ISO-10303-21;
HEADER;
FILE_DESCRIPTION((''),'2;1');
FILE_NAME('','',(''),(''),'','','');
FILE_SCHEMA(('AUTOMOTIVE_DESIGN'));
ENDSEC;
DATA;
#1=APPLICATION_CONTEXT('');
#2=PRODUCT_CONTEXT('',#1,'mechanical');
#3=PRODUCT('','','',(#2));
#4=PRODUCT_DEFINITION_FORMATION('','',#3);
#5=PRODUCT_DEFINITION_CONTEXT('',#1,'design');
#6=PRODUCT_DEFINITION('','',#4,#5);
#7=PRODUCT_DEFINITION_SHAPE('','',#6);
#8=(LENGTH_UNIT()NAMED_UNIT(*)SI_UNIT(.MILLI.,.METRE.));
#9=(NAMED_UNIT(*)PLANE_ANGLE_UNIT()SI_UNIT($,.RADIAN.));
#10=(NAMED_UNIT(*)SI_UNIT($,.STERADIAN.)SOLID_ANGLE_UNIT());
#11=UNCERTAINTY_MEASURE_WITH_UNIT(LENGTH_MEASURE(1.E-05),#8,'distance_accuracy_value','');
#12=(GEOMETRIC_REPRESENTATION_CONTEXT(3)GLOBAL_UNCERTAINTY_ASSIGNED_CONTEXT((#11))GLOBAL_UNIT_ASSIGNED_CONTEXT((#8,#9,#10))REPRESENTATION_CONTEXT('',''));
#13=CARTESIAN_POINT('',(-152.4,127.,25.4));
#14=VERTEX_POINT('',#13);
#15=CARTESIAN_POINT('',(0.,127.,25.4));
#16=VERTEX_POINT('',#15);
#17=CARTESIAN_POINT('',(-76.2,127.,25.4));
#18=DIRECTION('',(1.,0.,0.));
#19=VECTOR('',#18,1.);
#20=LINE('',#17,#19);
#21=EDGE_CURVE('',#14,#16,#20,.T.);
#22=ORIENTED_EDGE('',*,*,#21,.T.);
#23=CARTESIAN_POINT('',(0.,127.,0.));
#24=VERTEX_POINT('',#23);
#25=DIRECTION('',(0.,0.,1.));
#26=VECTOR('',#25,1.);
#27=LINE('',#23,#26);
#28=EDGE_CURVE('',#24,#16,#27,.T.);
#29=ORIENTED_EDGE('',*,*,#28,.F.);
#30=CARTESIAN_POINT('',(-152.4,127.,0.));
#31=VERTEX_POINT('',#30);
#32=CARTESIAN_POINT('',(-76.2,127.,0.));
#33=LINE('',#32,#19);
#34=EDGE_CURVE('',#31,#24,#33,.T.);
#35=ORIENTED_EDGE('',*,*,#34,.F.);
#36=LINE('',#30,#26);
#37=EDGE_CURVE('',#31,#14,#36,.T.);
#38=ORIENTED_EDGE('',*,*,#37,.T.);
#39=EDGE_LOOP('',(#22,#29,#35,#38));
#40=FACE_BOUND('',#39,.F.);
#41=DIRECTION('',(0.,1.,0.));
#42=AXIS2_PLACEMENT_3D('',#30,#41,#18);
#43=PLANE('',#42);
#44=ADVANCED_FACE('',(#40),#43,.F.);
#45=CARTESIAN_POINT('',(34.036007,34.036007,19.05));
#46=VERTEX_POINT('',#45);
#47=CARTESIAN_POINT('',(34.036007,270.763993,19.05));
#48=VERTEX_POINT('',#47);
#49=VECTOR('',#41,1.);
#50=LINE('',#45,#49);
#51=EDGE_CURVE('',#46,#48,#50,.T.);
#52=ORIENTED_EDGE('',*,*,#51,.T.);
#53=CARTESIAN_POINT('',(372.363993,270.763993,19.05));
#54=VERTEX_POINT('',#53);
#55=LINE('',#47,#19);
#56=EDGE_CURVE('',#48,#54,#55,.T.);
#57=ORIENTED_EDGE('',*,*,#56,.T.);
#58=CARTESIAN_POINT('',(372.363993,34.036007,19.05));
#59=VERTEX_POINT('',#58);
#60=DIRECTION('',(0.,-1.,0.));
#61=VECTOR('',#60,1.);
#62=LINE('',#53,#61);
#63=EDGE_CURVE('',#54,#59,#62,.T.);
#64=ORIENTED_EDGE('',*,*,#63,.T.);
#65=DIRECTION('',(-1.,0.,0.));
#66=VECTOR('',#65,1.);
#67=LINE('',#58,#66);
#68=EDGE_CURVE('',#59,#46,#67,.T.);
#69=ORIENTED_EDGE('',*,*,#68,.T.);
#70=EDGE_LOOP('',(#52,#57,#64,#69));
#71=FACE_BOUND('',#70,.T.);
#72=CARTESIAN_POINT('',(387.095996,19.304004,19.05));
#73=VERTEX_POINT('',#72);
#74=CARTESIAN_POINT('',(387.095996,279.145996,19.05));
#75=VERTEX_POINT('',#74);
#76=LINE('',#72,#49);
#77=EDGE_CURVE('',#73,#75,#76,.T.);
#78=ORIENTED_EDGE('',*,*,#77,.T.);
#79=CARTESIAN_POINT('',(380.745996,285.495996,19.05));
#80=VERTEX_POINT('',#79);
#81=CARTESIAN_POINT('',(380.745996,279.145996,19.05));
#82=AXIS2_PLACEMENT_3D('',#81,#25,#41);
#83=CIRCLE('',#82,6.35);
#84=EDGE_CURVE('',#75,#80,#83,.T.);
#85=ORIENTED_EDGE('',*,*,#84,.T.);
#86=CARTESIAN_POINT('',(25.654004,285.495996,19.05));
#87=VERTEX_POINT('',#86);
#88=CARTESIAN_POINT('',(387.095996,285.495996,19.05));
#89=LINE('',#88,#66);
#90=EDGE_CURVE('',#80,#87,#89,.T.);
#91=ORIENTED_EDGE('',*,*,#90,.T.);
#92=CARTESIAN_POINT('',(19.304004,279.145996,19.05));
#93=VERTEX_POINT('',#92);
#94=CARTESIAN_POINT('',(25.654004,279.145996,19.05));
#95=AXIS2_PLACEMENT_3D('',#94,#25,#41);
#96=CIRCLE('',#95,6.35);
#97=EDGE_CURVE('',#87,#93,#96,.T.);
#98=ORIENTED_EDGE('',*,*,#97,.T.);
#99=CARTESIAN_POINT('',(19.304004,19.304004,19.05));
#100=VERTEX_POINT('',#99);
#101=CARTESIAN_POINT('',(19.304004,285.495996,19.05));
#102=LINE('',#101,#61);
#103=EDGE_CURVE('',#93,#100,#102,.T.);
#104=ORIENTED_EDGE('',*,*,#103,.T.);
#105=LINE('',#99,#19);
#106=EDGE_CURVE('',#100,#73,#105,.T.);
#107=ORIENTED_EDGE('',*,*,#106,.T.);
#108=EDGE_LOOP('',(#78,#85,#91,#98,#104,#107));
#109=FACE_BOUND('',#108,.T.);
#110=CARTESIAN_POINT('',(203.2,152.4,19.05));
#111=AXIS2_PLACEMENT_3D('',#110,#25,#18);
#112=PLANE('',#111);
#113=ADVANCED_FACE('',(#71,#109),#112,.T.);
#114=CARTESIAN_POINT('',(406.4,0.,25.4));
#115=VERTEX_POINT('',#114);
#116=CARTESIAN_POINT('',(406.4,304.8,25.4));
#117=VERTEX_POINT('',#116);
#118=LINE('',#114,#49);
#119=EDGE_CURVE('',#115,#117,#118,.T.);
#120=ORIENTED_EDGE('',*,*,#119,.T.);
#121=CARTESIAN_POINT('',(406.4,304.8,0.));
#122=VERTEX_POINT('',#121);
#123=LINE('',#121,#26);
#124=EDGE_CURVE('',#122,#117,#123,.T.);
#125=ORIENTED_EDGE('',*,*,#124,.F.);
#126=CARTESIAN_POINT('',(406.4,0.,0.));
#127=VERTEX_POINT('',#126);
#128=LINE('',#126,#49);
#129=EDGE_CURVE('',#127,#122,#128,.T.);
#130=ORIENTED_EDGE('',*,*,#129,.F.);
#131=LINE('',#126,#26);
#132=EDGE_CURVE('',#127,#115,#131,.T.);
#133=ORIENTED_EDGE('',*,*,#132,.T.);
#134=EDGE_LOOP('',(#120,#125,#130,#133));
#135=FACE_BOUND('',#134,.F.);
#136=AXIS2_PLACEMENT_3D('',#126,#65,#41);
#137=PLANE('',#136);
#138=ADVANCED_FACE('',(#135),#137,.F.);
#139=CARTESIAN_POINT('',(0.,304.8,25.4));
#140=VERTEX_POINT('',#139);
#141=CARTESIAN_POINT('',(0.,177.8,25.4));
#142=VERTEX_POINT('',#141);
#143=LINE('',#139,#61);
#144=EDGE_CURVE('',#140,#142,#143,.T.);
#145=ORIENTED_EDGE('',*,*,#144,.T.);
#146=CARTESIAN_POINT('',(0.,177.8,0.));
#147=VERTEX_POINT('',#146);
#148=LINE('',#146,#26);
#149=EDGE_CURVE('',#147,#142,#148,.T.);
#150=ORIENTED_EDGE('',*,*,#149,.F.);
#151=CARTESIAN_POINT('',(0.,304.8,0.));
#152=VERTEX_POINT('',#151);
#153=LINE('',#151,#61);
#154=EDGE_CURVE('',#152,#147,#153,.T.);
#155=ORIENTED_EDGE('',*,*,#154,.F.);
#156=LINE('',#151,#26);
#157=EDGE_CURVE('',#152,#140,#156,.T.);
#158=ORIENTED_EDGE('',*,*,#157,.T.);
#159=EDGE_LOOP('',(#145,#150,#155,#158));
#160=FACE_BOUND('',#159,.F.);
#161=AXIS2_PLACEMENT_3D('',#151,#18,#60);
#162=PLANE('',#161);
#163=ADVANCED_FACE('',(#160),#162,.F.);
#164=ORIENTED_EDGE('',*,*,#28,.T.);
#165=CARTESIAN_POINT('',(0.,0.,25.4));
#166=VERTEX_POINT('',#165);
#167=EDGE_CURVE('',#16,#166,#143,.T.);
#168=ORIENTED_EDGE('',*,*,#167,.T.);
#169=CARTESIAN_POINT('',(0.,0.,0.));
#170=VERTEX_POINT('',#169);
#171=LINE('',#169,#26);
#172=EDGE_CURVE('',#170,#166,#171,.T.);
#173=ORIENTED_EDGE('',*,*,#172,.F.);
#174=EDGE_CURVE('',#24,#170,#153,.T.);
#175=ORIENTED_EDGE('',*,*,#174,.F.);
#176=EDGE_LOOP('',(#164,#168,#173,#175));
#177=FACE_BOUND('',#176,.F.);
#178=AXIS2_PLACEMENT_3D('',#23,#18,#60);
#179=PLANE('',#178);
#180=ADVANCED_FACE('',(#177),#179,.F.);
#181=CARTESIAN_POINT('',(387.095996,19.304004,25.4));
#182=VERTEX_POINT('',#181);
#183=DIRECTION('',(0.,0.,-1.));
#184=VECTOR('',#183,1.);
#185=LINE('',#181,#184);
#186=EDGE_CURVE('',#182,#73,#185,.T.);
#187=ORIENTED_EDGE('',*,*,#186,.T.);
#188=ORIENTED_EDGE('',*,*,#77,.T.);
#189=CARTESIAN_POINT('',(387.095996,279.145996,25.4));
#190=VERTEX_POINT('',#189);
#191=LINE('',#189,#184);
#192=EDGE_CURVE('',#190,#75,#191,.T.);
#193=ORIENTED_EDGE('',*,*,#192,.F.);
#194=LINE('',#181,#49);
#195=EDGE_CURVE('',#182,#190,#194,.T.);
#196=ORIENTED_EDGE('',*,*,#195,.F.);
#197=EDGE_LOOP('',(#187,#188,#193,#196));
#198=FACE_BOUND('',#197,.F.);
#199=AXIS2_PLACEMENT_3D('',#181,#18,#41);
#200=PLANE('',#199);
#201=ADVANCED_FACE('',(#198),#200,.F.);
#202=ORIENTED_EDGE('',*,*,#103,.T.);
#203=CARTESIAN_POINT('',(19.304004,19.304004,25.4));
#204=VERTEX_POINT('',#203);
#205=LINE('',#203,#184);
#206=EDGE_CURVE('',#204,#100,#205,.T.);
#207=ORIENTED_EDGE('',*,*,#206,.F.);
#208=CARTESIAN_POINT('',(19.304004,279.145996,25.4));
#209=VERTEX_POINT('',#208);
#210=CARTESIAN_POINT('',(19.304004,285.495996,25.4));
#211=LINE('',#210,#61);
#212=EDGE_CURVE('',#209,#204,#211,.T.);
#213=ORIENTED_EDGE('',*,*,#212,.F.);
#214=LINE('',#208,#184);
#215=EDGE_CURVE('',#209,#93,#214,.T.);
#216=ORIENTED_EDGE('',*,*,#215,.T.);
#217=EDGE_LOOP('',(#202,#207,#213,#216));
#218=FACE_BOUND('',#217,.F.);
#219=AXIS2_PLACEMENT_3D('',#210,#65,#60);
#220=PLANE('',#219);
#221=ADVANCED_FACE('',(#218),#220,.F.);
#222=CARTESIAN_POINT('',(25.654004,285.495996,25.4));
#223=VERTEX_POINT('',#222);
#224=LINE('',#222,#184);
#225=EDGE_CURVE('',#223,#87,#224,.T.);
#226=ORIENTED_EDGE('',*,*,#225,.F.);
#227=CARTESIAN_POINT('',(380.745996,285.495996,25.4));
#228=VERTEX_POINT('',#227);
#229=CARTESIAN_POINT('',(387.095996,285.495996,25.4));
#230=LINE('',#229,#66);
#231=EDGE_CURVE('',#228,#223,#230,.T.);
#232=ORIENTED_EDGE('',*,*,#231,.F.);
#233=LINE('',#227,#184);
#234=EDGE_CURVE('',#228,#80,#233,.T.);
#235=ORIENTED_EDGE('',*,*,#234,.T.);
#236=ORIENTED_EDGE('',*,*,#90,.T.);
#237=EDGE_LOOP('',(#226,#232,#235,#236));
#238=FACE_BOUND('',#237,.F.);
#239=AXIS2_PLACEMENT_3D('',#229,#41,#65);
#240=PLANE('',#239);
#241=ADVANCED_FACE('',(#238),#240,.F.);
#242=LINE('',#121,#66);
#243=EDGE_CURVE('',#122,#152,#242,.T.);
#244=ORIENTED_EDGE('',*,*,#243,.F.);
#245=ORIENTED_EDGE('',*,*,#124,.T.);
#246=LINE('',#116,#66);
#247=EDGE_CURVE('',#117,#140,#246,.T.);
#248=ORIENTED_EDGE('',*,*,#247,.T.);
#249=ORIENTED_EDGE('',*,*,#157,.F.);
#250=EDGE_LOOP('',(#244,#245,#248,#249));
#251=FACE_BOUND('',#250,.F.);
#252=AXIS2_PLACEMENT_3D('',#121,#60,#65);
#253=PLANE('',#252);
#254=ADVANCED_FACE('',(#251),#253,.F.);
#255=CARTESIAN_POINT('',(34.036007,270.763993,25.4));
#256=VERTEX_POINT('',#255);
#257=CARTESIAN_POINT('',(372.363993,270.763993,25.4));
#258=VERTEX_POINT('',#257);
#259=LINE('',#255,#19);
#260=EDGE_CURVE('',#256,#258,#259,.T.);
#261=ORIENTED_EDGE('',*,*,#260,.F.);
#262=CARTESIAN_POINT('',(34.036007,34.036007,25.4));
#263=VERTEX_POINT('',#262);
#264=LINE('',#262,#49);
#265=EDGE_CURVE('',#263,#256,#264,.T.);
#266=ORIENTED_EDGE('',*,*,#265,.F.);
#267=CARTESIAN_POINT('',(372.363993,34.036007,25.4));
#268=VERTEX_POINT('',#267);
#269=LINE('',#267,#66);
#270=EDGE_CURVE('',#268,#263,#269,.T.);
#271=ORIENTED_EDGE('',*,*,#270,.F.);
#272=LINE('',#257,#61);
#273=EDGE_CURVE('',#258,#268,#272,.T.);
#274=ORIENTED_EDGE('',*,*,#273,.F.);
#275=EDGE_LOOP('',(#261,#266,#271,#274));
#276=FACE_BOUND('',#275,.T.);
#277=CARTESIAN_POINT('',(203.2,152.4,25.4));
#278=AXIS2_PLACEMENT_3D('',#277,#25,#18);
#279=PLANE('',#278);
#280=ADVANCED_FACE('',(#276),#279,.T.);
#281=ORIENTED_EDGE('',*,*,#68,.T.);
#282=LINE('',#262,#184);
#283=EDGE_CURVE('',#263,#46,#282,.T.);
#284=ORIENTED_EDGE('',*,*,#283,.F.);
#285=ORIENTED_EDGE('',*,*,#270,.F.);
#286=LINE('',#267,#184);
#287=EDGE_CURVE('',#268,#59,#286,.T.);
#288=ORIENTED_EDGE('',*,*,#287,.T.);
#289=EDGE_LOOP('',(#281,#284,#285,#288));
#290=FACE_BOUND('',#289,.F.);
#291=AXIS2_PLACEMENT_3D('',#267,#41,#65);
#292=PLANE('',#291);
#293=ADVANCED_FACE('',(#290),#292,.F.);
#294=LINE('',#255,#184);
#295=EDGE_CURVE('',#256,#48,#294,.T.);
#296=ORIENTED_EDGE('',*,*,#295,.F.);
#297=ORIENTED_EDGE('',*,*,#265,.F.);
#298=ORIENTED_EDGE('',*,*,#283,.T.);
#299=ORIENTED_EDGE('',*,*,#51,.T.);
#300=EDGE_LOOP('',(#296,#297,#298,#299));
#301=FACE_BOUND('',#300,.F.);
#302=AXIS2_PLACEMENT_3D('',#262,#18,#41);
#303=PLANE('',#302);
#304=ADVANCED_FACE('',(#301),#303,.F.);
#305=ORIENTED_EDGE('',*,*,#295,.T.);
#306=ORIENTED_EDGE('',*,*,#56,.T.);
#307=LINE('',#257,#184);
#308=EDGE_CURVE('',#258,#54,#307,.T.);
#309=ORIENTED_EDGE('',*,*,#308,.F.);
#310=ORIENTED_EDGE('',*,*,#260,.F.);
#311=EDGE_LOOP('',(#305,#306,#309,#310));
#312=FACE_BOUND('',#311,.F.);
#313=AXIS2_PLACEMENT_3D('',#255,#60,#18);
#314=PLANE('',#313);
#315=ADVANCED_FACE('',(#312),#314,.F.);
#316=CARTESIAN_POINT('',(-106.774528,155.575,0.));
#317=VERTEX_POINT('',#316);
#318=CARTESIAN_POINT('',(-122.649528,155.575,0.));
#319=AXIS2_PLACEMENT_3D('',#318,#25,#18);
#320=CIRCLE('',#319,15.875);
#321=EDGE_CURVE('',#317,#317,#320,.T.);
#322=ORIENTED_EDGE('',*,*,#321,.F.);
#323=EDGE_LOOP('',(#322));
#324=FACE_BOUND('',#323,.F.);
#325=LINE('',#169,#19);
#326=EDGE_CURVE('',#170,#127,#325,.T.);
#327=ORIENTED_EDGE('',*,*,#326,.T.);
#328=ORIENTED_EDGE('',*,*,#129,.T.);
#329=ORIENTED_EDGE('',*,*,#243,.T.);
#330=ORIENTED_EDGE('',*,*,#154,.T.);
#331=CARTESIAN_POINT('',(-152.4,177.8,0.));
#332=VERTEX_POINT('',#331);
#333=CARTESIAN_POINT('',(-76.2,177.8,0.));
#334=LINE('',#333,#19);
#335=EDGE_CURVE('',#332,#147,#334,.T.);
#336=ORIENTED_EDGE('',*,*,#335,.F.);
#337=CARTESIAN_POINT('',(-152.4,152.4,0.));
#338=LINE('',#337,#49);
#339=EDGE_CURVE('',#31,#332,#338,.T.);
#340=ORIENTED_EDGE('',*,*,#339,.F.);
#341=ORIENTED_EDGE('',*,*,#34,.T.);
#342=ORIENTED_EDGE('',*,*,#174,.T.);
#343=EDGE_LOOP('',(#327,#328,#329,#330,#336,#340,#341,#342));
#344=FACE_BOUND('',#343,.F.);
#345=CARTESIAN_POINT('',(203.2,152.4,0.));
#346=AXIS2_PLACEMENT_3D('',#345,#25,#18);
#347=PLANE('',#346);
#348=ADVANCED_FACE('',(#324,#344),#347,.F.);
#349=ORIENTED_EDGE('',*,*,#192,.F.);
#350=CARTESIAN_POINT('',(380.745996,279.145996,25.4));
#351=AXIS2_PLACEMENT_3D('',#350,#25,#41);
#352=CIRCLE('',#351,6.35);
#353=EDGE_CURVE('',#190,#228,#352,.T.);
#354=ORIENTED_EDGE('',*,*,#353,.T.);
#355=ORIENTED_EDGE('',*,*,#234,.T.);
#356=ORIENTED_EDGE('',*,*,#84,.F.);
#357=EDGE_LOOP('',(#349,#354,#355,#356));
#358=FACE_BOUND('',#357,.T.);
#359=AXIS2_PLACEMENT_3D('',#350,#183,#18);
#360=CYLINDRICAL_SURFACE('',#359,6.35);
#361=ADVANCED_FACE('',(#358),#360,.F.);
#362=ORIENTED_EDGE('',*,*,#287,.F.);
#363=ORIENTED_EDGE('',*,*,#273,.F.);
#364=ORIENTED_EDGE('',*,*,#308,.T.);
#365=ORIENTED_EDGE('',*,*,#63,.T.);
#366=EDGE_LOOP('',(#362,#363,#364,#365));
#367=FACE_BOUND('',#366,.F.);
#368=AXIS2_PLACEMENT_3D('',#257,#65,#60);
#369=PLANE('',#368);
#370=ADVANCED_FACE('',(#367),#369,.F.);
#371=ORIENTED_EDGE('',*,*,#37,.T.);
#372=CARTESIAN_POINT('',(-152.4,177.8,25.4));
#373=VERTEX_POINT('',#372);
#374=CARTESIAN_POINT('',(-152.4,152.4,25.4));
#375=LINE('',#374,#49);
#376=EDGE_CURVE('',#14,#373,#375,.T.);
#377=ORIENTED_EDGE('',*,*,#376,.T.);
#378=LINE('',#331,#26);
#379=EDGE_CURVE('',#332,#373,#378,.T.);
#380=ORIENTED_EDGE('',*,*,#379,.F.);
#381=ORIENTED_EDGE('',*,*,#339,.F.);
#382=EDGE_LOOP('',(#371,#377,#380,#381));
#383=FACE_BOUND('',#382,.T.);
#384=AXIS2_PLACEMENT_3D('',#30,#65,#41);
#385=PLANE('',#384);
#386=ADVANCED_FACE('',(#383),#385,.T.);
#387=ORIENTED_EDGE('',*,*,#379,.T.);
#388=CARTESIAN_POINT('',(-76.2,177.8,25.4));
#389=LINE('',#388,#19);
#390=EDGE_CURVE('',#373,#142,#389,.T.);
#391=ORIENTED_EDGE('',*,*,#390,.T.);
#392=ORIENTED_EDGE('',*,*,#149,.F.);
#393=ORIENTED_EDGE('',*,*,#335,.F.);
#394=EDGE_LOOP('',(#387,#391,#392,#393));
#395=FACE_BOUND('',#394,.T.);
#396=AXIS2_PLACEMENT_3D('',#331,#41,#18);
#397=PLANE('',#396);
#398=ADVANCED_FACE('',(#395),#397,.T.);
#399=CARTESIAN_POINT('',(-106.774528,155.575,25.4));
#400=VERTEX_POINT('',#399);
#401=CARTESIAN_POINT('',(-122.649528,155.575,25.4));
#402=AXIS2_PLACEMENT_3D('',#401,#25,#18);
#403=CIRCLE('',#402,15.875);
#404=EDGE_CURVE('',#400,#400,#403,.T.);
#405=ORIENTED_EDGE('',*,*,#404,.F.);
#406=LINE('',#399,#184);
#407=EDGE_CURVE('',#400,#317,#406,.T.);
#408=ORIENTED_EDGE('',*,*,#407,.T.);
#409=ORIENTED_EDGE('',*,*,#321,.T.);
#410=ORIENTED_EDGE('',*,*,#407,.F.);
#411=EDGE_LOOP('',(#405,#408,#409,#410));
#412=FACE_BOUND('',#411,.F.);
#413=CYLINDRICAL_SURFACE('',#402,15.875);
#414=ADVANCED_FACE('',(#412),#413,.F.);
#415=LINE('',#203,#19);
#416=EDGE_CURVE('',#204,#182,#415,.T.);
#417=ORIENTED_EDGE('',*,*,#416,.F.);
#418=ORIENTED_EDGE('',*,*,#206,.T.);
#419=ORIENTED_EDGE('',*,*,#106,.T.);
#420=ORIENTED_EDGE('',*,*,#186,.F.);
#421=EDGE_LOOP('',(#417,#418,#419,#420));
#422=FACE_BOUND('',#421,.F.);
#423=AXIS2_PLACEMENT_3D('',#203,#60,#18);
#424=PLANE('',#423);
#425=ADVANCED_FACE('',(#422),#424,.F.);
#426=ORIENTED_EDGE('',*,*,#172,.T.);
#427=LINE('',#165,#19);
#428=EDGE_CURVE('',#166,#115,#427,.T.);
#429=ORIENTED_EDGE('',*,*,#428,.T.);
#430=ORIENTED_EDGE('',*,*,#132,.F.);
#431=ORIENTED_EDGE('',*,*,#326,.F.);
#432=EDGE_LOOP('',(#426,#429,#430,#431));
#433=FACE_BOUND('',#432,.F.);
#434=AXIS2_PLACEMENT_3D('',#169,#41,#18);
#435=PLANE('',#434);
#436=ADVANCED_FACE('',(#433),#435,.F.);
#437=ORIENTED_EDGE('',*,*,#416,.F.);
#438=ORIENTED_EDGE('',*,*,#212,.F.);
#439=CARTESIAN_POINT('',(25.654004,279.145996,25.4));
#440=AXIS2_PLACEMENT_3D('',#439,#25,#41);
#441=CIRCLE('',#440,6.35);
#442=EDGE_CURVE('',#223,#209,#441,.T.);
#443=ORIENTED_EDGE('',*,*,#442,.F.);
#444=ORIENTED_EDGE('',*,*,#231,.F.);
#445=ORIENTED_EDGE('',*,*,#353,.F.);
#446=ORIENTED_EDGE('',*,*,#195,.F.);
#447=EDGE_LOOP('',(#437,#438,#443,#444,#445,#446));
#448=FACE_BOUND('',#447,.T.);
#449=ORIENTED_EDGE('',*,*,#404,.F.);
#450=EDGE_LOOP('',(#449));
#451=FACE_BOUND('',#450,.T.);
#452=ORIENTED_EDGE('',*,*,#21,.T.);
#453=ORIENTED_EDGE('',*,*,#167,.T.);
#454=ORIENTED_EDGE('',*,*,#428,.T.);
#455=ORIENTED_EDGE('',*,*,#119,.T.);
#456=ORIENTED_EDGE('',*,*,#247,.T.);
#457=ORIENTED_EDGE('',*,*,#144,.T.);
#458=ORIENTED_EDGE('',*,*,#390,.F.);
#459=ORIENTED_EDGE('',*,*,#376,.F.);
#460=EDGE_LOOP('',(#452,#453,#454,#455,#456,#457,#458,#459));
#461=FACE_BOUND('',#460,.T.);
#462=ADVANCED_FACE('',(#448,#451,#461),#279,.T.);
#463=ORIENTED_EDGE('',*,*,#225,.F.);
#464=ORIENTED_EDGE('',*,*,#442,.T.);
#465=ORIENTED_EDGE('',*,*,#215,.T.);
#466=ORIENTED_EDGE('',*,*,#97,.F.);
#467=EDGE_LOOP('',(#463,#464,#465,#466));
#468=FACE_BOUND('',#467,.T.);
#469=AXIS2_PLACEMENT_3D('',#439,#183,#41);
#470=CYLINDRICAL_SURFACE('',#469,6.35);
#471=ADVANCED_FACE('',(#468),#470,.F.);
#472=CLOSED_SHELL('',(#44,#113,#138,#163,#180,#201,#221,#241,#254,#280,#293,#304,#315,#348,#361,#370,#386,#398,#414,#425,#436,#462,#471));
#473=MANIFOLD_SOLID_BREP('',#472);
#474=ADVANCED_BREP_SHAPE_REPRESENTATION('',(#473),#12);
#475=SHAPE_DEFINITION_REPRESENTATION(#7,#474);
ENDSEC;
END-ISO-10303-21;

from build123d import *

# Parameters (mm, degrees)
F0_W     = 152.4
F0_H     = 50.8
F1_DEPTH = 25.4
F2_R     = 15.875
F3_DEPTH = 25.4
F5_DEPTH = 6.35
F6_R     = 6.35


with BuildPart() as f1:
    # F0 (on Top) → F1 (new body)
    with BuildSketch(Plane.XY):
        Polygon((0, 127), (0, 0), (406.4, 0), (406.4, 304.8), (0, 304.8), (0, 177.8), align=None)
        with Locations((-76.2, 152.4)):
            Rectangle(F0_W, F0_H)
    extrude(amount=F1_DEPTH)

    # F2 (on face) → F3 (cut)
    with BuildSketch(Plane.XY.offset(25.4)):
        with Locations((-122.649528, 155.575)):
            Circle(F2_R)
    extrude(amount=-F3_DEPTH, mode=Mode.SUBTRACT)

    # F4 (on face) → F5 (cut)
    with BuildSketch(Plane.XY.offset(25.4)):
        Polygon((19.304004, 127), (19.304004, 19.304004), (387.095996, 19.304004), (387.095996, 285.495996), (19.304004, 285.495996), (19.304004, 177.8), align=None)
        Polygon((34.036007, 127), (34.036007, 177.8), (34.036007, 270.763993), (372.363993, 270.763993), (372.363993, 34.036007), (34.036007, 34.036007), align=None, mode=Mode.SUBTRACT)
    extrude(amount=-F5_DEPTH, mode=Mode.SUBTRACT)

    # F6
    f6_edges = [f1.edges().sort_by_distance(p)[0] for p in [
        (19.304004, 285.495996, 22.225),
        (387.095996, 285.495996, 22.225),
    ]]
    fillet(f6_edges, radius=F6_R)


solid = f1.part
